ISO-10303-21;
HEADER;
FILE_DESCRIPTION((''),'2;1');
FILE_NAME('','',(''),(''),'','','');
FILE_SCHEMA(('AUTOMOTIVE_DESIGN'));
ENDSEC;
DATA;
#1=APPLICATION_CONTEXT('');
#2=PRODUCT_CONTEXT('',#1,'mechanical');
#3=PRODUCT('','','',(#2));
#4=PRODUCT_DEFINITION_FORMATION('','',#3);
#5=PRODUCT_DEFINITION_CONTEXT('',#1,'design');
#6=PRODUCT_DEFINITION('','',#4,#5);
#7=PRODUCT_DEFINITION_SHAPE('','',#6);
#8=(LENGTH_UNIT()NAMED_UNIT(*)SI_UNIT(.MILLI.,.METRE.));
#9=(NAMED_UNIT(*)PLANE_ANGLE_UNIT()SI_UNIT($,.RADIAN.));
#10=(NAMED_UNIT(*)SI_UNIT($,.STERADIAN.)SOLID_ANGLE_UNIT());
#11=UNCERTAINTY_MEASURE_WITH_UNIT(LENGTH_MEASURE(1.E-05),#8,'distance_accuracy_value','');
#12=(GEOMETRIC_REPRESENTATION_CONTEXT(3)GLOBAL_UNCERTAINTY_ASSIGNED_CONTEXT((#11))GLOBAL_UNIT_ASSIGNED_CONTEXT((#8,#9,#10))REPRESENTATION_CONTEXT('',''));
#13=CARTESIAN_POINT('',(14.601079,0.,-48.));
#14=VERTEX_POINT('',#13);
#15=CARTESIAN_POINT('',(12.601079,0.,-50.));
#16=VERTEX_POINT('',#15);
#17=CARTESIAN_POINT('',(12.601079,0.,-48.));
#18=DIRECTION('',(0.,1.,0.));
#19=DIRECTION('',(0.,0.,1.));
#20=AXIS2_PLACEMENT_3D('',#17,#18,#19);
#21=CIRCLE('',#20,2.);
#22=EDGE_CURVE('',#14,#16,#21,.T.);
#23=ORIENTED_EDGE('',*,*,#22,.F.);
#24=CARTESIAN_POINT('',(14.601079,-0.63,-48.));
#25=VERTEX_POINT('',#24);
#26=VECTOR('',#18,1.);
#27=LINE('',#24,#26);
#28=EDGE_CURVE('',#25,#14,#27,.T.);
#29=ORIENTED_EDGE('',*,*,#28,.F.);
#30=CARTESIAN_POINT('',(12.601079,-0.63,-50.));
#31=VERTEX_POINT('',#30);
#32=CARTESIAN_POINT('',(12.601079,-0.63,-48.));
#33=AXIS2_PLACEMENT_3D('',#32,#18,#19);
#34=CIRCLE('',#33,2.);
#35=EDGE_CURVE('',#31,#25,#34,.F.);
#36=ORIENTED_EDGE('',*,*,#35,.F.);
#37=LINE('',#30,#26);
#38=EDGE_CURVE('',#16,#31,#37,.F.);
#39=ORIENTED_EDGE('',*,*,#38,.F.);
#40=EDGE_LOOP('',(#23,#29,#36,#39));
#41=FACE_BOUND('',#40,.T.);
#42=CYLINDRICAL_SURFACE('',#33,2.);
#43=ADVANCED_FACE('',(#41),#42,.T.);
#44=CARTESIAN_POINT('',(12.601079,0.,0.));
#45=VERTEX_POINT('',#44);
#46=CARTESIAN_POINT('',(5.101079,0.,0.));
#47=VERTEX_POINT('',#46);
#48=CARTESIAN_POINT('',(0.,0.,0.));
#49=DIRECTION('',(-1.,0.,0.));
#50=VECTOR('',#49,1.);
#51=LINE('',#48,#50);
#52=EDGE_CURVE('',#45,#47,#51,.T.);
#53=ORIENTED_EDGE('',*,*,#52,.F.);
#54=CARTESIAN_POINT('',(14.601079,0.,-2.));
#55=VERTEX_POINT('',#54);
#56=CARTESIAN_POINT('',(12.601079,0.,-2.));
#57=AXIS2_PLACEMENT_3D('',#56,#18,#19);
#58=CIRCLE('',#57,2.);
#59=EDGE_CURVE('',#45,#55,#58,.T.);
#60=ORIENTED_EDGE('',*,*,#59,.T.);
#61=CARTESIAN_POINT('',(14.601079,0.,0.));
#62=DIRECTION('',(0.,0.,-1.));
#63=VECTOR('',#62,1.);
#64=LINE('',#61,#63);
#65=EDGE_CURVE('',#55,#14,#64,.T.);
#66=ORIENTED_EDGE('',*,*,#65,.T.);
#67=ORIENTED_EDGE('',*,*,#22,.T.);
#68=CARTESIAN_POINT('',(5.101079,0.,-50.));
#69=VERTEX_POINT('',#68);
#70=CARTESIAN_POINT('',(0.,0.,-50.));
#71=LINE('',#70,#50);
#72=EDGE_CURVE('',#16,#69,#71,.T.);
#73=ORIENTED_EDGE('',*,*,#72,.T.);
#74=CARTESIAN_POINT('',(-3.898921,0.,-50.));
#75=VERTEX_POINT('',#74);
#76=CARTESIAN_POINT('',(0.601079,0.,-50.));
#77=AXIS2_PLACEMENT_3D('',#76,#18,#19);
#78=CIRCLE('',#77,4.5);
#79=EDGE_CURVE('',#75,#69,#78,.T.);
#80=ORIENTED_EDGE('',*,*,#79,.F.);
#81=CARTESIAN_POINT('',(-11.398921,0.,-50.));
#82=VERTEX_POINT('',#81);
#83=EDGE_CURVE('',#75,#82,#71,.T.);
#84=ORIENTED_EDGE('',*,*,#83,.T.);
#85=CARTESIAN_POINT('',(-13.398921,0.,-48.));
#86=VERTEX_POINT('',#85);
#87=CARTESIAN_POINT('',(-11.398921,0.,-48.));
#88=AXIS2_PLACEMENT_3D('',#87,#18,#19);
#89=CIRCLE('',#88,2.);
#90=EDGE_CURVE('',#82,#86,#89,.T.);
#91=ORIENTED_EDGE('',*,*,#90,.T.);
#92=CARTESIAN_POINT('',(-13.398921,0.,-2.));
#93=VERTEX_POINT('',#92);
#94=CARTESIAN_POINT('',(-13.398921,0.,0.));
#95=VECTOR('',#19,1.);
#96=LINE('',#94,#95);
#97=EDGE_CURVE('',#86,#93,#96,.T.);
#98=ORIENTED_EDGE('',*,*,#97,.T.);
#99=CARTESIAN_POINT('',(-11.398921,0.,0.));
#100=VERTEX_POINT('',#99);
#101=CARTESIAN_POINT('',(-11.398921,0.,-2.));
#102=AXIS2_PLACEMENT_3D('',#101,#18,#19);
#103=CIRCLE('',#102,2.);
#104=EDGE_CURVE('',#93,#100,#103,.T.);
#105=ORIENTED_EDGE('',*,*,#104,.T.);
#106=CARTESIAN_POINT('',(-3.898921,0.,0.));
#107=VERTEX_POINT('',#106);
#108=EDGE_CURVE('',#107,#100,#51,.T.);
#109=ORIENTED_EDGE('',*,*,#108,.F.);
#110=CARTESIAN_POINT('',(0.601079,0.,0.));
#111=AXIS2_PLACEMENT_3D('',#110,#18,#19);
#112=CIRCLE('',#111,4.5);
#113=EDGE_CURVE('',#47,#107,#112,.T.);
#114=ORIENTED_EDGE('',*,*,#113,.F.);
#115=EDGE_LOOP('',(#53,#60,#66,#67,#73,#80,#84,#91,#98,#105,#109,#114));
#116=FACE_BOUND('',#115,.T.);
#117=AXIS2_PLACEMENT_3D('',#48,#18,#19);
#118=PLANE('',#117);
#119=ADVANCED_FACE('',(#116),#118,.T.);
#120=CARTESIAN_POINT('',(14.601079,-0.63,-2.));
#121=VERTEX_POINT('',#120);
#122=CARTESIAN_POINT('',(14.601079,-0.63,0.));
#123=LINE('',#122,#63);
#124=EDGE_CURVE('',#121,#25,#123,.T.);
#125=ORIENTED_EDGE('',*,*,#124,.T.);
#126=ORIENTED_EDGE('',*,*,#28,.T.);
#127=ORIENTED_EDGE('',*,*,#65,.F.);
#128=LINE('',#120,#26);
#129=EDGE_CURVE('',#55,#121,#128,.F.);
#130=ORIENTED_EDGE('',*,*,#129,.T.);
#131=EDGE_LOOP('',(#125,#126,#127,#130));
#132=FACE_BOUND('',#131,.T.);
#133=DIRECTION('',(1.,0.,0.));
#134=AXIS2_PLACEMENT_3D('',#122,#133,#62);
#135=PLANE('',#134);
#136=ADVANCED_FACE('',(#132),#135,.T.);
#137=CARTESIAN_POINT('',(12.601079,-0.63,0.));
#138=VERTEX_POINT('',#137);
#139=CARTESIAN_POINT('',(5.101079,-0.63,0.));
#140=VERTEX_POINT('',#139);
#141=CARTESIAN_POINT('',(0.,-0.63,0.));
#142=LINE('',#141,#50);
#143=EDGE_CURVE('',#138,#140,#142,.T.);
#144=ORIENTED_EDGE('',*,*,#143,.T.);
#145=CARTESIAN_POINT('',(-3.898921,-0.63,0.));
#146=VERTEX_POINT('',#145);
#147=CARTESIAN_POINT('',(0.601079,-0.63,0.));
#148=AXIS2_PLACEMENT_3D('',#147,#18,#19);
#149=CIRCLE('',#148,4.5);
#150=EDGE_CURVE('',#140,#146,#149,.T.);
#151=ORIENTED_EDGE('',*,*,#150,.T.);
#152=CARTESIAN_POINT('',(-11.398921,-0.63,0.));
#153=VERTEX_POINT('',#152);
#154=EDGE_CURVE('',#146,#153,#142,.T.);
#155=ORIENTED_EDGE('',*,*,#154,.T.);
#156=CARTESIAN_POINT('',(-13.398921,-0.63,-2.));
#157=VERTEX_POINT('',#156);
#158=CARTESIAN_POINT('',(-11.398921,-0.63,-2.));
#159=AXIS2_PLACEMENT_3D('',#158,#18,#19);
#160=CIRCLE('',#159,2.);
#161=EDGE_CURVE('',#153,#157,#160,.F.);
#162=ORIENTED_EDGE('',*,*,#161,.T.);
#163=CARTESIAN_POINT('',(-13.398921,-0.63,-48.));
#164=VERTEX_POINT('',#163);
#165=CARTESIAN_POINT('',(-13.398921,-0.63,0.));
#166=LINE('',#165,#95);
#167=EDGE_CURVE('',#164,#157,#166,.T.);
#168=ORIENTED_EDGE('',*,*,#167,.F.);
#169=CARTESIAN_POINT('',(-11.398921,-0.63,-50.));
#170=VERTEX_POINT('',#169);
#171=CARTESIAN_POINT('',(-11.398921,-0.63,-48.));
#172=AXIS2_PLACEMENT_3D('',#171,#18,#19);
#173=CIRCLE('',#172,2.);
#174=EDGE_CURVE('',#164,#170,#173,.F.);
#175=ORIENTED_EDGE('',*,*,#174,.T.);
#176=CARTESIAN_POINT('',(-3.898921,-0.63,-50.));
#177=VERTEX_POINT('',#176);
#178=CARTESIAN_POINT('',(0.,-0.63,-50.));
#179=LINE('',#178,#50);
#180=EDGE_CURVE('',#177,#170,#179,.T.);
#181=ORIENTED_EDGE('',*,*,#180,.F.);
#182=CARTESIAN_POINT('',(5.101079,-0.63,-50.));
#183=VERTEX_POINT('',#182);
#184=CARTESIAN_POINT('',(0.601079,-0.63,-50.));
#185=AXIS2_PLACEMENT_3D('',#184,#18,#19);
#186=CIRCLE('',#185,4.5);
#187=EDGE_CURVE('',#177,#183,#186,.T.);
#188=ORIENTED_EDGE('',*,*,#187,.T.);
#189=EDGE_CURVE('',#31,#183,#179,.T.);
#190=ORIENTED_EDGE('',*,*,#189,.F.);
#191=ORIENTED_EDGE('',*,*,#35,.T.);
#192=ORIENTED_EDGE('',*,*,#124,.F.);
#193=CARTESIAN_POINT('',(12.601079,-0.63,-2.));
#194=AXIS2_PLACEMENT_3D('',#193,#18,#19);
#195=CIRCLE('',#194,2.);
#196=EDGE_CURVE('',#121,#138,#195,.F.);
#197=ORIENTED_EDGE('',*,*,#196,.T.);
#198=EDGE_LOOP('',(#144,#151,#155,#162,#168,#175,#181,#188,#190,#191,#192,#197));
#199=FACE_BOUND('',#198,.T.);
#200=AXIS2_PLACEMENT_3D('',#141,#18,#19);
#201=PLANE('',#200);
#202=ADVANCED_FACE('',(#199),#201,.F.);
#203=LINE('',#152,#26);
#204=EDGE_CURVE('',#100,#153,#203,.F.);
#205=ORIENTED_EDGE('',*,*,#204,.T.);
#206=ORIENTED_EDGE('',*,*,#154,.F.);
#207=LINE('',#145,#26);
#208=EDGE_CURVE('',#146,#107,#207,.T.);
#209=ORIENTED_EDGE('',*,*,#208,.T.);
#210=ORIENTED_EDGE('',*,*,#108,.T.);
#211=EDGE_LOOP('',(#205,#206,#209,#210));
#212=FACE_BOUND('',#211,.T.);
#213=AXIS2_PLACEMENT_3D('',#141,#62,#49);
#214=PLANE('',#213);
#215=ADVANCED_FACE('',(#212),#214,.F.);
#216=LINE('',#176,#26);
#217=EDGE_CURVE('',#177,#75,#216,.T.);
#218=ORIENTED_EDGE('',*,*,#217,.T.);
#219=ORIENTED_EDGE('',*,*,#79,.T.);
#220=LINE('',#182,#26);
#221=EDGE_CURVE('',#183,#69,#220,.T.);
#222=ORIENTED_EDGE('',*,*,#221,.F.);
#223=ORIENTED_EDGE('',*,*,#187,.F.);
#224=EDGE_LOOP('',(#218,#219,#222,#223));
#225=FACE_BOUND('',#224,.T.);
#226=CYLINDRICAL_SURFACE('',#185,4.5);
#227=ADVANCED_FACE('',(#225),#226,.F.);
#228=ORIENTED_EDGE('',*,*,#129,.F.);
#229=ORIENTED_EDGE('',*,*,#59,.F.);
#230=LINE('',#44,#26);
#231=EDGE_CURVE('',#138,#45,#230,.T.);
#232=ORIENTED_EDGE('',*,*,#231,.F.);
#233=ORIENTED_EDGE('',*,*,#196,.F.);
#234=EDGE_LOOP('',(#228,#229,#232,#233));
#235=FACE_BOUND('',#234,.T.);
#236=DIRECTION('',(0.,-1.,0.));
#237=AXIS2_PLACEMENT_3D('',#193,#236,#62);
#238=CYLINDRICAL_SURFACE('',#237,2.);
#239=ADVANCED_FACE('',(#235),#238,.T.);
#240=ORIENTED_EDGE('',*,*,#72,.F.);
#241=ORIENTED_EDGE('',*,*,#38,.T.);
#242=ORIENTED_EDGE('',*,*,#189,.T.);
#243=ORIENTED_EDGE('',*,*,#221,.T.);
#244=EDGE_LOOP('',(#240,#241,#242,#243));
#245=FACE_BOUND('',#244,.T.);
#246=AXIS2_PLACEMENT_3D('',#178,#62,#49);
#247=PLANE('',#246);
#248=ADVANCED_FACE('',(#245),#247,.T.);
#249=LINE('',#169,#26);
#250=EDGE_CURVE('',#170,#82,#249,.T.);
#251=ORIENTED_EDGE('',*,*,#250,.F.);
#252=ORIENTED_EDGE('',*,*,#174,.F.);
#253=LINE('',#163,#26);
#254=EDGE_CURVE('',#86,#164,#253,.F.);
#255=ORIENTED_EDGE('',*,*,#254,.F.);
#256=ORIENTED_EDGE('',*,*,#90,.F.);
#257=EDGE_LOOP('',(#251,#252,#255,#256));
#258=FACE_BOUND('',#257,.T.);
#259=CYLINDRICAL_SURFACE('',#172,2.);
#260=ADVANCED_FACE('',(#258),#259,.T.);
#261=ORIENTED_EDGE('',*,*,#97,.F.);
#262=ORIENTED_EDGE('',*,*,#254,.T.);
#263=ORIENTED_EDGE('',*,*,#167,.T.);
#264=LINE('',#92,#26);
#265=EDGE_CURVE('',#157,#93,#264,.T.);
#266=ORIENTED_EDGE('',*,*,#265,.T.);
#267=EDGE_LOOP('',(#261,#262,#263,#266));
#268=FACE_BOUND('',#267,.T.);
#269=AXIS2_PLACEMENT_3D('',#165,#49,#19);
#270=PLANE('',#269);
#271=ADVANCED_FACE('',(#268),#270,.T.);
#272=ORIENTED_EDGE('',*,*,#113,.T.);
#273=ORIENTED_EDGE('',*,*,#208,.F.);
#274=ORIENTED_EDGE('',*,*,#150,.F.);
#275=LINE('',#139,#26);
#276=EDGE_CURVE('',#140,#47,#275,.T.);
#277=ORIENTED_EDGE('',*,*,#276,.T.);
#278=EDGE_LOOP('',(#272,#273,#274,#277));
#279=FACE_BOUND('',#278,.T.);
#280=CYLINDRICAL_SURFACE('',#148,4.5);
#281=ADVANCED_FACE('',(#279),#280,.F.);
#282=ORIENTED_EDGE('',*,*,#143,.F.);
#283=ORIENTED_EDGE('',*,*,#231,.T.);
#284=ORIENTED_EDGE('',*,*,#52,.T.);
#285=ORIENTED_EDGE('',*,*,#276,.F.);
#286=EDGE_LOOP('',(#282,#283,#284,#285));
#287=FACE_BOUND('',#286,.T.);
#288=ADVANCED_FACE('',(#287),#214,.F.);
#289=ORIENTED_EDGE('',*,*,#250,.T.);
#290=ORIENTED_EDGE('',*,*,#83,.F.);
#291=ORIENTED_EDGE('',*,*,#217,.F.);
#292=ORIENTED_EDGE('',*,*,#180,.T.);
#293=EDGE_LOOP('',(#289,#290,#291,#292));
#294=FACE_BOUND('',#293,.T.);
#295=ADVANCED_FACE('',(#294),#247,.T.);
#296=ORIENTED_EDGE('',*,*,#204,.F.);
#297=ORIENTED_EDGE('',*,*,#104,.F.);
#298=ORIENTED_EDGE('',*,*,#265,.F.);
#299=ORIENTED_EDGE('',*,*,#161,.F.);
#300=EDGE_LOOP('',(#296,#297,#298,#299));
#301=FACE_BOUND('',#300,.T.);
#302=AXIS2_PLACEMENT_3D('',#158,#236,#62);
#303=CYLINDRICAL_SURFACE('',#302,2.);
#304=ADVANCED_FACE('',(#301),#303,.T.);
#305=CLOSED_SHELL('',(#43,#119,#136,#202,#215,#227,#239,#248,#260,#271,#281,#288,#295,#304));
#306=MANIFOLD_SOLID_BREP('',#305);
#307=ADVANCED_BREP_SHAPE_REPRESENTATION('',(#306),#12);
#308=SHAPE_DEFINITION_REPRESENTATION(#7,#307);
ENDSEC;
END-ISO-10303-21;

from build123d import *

# Parameters (mm, degrees)
EXTRUDE_1_DEPTH = 0.63
FILLET_3_R      = 2


with BuildPart() as part:
    # Sketch 1 → Extrude 1 (new body)
    with BuildSketch(Plane(origin=(0, 0, 0), x_dir=(1, 0, 0), z_dir=(0, 1, 0))):
        with BuildLine():
            Line((5.101078805, 0), (14.601078805, 0))
            Line((14.601078805, 0), (14.601078805, 50))
            Line((14.601078805, 50), (5.101078805, 50))
            ThreePointArc((5.101078805, 50), (0.601078805, 45.5), (-3.898921195, 50))
            Line((-3.898921195, 50), (-13.398921195, 50))
            Line((-13.398921195, 50), (-13.398921195, 0))
            Line((-13.398921195, 0), (-3.898921195, 0))
            ThreePointArc((-3.898921195, 0), (0.601078805, 4.5), (5.101078805, 0))
        make_face()
    extrude(amount=-EXTRUDE_1_DEPTH)

    # Fillet 3
    fillet_3_edges = [part.edges().sort_by_distance(p)[0] for p in [
        (-13.398921195, -0.315, 0),
        (-13.398921195, -0.315, -50),
        (14.601078805, -0.315, -50),
        (14.601078805, -0.315, 0),
    ]]
    fillet(fillet_3_edges, radius=FILLET_3_R)


solid = part.part
